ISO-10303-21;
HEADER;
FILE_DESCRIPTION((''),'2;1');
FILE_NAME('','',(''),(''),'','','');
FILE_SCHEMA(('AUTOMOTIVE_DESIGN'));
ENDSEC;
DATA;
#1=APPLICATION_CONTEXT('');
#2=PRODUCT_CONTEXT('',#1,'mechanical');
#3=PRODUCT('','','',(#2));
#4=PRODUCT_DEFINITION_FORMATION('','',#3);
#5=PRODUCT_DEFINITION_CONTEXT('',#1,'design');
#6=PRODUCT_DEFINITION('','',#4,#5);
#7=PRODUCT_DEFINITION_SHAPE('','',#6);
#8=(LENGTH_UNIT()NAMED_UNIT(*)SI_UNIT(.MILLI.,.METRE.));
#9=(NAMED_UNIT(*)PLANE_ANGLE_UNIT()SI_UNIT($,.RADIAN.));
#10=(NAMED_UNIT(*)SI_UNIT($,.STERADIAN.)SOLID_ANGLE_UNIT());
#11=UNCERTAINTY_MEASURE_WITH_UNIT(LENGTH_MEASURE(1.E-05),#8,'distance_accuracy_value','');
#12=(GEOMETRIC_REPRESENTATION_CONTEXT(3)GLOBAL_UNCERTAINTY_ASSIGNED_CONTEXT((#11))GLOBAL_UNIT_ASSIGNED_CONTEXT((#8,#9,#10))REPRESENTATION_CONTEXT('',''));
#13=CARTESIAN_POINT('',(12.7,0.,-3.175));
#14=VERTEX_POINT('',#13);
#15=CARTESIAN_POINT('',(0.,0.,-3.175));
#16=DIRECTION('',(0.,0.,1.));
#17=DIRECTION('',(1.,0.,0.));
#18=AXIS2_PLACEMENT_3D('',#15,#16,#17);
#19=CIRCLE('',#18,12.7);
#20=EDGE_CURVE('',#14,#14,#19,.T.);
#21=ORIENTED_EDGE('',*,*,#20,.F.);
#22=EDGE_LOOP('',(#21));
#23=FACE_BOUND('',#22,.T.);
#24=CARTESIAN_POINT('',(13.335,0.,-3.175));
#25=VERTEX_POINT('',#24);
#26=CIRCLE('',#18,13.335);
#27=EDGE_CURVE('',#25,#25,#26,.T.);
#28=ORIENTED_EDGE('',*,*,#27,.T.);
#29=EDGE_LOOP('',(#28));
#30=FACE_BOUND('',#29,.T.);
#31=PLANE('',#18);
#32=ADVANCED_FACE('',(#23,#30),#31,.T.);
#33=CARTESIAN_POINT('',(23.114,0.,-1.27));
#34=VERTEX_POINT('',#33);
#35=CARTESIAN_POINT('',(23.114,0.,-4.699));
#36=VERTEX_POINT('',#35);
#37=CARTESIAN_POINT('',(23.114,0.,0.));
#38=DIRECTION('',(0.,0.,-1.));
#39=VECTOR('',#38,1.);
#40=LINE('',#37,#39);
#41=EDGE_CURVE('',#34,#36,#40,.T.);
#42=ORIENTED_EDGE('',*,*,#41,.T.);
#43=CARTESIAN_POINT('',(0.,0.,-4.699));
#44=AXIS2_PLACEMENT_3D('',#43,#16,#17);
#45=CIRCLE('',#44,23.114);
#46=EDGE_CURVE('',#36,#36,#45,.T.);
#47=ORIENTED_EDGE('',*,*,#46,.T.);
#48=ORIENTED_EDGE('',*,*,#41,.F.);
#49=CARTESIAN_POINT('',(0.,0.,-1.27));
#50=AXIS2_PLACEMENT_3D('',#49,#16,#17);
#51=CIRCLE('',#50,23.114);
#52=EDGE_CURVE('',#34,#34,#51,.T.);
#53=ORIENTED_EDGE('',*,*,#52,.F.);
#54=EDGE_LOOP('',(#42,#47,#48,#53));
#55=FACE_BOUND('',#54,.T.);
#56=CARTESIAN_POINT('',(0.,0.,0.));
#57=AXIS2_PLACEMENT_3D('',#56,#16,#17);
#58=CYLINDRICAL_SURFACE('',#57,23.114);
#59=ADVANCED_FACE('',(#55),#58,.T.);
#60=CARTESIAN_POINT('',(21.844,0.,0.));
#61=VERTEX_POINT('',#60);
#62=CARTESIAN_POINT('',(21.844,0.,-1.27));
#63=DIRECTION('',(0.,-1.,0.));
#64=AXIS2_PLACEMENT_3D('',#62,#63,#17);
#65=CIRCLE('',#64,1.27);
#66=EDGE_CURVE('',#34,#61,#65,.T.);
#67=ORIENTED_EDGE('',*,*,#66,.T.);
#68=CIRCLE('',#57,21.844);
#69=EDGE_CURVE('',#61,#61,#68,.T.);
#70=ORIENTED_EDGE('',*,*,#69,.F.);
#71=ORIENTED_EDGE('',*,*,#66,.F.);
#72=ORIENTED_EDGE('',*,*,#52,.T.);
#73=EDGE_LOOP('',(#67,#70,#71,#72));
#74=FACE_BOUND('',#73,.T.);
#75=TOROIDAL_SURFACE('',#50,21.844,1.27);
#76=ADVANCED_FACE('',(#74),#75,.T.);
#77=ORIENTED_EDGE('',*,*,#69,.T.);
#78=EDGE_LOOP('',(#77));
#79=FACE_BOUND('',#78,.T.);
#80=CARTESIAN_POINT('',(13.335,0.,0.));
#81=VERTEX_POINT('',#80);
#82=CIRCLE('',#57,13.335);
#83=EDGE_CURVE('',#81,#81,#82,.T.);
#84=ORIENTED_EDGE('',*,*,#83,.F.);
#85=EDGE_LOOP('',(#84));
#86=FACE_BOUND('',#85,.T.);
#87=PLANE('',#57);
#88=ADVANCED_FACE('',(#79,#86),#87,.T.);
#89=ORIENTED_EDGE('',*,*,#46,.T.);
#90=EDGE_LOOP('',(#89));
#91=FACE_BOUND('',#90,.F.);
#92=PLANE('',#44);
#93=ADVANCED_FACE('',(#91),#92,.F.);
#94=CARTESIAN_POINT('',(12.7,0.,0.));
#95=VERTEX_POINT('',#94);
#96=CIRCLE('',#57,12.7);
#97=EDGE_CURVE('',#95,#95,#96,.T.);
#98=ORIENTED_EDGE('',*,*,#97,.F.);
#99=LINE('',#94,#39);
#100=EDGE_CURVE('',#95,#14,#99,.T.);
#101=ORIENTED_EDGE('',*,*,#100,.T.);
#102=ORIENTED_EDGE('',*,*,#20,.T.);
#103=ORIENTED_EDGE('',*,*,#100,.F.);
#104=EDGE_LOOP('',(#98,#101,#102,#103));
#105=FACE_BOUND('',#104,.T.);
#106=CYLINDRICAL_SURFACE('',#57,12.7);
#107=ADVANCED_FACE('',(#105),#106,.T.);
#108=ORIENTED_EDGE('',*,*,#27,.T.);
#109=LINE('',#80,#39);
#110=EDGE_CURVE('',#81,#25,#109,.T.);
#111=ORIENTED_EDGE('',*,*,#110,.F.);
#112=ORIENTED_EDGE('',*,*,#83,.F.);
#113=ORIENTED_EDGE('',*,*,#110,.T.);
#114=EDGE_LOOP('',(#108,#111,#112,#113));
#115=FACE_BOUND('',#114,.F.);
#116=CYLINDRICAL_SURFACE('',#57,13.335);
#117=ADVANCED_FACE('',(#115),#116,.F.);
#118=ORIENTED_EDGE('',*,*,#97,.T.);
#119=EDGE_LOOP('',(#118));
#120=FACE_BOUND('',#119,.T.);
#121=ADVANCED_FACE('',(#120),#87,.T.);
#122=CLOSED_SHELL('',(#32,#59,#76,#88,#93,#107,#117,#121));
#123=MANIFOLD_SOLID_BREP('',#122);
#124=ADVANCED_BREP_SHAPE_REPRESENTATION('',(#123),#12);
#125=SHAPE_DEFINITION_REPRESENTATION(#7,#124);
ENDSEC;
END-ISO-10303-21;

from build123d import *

# Parameters (mm, degrees)
F0_R     = 23.114
F1_DEPTH = 4.699
F2_R     = 1.27
F3_R     = 13.335
F3_R_2   = 12.7
F4_DEPTH = 3.175


with BuildPart() as f1:
    # F0 (on Top) → F1 (new body)
    with BuildSketch(Plane.XY):
        Circle(F0_R)
    extrude(amount=-F1_DEPTH)

    # F2
    f2_edges = [f1.edges().sort_by_distance(p)[0] for p in [
        (-23.114, 0, 0),
    ]]
    fillet(f2_edges, radius=F2_R)

    # F3 (on face) → F4 (cut)
    with BuildSketch(Plane.XY):
        Circle(F3_R)
        Circle(F3_R_2, mode=Mode.SUBTRACT)
    extrude(amount=-F4_DEPTH, mode=Mode.SUBTRACT)


solid = f1.part
